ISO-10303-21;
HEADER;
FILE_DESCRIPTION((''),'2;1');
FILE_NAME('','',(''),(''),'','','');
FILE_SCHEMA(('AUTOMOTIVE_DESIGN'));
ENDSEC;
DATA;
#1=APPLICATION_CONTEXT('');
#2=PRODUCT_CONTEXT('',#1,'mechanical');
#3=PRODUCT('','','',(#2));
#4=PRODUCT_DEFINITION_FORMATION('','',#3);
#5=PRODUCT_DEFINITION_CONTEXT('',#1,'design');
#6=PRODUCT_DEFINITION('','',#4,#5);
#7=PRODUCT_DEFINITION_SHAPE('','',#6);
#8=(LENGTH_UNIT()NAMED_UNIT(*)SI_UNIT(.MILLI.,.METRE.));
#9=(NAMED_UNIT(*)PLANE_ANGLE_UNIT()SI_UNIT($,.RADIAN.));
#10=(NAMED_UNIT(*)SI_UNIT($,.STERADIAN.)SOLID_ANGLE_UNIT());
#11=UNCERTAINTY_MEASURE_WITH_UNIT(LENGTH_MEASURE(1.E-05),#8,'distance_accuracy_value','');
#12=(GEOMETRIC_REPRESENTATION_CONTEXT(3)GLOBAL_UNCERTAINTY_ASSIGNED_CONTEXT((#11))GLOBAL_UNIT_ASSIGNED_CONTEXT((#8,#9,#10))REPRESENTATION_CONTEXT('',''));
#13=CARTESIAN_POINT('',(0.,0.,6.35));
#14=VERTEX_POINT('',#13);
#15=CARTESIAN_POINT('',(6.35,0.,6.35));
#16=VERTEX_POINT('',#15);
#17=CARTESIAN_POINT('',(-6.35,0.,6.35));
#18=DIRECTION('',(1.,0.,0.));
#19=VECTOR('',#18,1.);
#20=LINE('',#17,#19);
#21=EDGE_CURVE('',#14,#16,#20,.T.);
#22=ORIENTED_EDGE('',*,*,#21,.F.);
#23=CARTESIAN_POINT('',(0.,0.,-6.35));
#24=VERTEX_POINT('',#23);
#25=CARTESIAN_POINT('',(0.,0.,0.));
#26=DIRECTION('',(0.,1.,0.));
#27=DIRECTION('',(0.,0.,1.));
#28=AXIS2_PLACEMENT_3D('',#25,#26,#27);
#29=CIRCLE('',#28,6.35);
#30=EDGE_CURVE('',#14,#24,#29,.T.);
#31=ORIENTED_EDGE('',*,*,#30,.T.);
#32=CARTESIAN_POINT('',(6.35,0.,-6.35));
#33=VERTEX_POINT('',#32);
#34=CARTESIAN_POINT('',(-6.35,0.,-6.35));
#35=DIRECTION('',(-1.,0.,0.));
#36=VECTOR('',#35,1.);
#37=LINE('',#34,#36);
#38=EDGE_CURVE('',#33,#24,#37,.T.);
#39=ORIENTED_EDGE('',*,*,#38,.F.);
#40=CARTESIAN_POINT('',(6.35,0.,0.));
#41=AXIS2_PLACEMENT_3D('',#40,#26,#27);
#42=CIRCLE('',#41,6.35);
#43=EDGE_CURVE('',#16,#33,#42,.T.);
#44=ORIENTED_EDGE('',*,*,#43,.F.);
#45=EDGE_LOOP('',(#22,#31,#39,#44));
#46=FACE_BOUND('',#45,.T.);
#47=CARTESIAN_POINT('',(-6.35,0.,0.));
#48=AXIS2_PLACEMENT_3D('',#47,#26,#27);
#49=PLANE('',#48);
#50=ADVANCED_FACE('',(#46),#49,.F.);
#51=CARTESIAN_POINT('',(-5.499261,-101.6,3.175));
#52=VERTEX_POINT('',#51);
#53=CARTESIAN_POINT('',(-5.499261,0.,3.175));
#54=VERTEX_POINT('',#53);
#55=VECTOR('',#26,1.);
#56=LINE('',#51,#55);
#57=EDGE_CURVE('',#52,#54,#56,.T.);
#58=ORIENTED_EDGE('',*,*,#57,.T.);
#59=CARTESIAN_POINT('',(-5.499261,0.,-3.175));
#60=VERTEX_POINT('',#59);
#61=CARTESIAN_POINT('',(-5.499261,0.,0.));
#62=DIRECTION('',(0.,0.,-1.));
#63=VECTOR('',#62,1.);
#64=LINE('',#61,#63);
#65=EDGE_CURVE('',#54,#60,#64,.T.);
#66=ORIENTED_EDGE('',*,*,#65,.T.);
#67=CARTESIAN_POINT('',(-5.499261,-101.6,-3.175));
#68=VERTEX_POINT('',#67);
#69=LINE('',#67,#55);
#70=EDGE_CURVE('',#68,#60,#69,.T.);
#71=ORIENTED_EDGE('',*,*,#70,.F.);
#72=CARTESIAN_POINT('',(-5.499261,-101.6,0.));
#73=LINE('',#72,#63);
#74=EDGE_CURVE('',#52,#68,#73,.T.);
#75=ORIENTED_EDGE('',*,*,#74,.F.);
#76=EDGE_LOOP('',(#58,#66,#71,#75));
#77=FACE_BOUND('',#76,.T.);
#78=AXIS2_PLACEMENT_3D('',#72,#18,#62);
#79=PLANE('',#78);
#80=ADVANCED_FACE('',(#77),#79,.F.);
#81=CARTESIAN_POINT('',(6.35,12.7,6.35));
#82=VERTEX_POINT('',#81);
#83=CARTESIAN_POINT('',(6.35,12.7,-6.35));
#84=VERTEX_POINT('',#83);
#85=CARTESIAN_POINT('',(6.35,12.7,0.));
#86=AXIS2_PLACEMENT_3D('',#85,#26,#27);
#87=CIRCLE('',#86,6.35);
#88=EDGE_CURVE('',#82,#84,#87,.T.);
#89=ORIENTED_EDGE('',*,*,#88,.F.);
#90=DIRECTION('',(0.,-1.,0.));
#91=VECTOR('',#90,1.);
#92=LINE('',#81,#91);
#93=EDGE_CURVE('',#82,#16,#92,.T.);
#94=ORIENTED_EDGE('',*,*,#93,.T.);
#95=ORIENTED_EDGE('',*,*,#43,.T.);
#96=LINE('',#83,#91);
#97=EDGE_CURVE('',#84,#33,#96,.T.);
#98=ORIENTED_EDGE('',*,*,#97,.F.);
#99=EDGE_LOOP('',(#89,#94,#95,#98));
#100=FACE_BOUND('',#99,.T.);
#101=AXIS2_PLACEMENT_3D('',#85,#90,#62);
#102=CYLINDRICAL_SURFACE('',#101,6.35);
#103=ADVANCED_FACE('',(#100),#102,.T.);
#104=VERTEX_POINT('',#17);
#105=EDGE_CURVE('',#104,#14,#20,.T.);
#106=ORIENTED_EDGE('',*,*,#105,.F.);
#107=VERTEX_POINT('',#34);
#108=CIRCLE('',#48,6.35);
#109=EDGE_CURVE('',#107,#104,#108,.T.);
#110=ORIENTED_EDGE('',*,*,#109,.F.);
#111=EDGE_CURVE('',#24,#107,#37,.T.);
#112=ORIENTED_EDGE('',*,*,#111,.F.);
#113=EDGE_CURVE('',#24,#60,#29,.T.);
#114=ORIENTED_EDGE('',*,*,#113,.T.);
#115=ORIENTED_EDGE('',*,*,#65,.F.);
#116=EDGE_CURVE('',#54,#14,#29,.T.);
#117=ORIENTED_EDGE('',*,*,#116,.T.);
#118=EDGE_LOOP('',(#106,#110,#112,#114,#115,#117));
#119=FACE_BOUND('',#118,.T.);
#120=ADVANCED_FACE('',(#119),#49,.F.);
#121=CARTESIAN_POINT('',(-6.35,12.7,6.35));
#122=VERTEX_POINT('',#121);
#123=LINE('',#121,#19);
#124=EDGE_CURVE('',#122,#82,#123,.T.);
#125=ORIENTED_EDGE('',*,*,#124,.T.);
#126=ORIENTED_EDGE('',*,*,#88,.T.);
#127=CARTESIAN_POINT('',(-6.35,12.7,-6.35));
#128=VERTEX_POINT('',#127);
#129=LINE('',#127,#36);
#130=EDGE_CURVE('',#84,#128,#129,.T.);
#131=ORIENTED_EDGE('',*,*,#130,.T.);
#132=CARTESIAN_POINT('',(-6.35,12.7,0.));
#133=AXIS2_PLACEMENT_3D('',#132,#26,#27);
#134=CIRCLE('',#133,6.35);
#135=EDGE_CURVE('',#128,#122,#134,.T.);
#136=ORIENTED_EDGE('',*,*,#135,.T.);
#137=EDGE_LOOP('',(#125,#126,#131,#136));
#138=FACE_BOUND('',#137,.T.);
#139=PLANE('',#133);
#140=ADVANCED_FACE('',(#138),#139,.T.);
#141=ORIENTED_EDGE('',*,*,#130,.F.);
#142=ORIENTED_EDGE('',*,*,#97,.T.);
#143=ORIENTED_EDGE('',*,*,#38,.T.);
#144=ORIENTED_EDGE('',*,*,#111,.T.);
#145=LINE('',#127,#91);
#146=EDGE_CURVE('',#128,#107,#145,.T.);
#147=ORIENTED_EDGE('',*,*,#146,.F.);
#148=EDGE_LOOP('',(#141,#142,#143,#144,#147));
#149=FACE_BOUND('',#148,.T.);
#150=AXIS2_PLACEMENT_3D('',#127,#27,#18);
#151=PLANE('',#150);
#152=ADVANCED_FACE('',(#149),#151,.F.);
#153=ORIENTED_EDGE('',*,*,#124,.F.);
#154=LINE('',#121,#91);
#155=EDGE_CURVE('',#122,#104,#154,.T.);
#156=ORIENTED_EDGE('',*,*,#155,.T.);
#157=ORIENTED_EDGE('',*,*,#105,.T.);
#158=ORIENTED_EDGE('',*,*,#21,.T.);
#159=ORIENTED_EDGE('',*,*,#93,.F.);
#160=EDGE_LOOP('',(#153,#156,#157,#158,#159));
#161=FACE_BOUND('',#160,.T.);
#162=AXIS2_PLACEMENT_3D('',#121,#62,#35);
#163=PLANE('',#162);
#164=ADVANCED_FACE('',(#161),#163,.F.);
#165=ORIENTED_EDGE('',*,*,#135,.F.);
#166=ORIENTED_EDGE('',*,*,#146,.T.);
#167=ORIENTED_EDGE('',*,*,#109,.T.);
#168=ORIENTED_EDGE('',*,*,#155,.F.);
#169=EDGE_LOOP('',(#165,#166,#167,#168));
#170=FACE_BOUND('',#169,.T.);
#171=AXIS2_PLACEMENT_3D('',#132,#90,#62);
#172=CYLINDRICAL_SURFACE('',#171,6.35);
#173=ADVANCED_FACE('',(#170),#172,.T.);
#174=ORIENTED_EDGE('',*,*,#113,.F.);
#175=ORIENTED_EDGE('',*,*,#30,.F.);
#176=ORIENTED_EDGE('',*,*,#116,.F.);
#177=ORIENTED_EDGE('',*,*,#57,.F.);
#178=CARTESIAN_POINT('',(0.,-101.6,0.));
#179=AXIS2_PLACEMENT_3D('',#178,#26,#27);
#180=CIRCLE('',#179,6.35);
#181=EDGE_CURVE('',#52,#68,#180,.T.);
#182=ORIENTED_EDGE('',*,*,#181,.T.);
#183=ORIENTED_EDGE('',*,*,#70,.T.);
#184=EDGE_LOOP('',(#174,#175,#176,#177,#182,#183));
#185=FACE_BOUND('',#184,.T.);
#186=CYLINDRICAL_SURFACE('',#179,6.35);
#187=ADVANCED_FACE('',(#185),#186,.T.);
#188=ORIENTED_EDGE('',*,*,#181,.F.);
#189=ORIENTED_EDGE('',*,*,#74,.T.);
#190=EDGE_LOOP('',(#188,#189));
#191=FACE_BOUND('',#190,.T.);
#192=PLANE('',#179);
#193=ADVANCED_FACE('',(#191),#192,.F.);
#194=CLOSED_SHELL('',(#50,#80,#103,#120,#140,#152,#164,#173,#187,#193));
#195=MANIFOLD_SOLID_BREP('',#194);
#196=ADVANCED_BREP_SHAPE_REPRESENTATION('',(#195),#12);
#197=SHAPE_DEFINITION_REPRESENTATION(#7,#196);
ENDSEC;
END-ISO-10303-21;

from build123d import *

# Parameters (mm, degrees)
BOSS_EXTRUDE1_DEPTH = 101.6
BOSS_EXTRUDE3_DEPTH = 12.7


with BuildPart() as part:
    # Sketch1 → Boss-Extrude1 (new body)
    with BuildSketch(Plane(origin=(0, 0, 0), x_dir=(1, 0, 0), z_dir=(0, 1, 0))):
        with BuildLine():
            Line((-5.499261314, 3.175), (-5.499261314, -3.175))
            ThreePointArc((-5.499261314, -3.175), (1.643500936, -6.133628997), (6.35, 0))
            ThreePointArc((6.35, 0), (1.643500936, 6.133628997), (-5.499261314, 3.175))
        make_face()
    extrude(amount=-BOSS_EXTRUDE1_DEPTH)

    # Sketch4 → Boss-Extrude3 (add)
    with BuildSketch(Plane(origin=(0, 0, 0), x_dir=(1, 0, 0), z_dir=(0, 1, 0))):
        with BuildLine():
            Line((-6.35, 6.35), (6.35, 6.35))
            ThreePointArc((6.35, 6.35), (12.7, 0), (6.35, -6.35))
            Line((6.35, -6.35), (-6.35, -6.35))
            ThreePointArc((-6.35, -6.35), (-12.7, 0), (-6.35, 6.35))
        make_face()
    extrude(amount=BOSS_EXTRUDE3_DEPTH)


solid = part.part
